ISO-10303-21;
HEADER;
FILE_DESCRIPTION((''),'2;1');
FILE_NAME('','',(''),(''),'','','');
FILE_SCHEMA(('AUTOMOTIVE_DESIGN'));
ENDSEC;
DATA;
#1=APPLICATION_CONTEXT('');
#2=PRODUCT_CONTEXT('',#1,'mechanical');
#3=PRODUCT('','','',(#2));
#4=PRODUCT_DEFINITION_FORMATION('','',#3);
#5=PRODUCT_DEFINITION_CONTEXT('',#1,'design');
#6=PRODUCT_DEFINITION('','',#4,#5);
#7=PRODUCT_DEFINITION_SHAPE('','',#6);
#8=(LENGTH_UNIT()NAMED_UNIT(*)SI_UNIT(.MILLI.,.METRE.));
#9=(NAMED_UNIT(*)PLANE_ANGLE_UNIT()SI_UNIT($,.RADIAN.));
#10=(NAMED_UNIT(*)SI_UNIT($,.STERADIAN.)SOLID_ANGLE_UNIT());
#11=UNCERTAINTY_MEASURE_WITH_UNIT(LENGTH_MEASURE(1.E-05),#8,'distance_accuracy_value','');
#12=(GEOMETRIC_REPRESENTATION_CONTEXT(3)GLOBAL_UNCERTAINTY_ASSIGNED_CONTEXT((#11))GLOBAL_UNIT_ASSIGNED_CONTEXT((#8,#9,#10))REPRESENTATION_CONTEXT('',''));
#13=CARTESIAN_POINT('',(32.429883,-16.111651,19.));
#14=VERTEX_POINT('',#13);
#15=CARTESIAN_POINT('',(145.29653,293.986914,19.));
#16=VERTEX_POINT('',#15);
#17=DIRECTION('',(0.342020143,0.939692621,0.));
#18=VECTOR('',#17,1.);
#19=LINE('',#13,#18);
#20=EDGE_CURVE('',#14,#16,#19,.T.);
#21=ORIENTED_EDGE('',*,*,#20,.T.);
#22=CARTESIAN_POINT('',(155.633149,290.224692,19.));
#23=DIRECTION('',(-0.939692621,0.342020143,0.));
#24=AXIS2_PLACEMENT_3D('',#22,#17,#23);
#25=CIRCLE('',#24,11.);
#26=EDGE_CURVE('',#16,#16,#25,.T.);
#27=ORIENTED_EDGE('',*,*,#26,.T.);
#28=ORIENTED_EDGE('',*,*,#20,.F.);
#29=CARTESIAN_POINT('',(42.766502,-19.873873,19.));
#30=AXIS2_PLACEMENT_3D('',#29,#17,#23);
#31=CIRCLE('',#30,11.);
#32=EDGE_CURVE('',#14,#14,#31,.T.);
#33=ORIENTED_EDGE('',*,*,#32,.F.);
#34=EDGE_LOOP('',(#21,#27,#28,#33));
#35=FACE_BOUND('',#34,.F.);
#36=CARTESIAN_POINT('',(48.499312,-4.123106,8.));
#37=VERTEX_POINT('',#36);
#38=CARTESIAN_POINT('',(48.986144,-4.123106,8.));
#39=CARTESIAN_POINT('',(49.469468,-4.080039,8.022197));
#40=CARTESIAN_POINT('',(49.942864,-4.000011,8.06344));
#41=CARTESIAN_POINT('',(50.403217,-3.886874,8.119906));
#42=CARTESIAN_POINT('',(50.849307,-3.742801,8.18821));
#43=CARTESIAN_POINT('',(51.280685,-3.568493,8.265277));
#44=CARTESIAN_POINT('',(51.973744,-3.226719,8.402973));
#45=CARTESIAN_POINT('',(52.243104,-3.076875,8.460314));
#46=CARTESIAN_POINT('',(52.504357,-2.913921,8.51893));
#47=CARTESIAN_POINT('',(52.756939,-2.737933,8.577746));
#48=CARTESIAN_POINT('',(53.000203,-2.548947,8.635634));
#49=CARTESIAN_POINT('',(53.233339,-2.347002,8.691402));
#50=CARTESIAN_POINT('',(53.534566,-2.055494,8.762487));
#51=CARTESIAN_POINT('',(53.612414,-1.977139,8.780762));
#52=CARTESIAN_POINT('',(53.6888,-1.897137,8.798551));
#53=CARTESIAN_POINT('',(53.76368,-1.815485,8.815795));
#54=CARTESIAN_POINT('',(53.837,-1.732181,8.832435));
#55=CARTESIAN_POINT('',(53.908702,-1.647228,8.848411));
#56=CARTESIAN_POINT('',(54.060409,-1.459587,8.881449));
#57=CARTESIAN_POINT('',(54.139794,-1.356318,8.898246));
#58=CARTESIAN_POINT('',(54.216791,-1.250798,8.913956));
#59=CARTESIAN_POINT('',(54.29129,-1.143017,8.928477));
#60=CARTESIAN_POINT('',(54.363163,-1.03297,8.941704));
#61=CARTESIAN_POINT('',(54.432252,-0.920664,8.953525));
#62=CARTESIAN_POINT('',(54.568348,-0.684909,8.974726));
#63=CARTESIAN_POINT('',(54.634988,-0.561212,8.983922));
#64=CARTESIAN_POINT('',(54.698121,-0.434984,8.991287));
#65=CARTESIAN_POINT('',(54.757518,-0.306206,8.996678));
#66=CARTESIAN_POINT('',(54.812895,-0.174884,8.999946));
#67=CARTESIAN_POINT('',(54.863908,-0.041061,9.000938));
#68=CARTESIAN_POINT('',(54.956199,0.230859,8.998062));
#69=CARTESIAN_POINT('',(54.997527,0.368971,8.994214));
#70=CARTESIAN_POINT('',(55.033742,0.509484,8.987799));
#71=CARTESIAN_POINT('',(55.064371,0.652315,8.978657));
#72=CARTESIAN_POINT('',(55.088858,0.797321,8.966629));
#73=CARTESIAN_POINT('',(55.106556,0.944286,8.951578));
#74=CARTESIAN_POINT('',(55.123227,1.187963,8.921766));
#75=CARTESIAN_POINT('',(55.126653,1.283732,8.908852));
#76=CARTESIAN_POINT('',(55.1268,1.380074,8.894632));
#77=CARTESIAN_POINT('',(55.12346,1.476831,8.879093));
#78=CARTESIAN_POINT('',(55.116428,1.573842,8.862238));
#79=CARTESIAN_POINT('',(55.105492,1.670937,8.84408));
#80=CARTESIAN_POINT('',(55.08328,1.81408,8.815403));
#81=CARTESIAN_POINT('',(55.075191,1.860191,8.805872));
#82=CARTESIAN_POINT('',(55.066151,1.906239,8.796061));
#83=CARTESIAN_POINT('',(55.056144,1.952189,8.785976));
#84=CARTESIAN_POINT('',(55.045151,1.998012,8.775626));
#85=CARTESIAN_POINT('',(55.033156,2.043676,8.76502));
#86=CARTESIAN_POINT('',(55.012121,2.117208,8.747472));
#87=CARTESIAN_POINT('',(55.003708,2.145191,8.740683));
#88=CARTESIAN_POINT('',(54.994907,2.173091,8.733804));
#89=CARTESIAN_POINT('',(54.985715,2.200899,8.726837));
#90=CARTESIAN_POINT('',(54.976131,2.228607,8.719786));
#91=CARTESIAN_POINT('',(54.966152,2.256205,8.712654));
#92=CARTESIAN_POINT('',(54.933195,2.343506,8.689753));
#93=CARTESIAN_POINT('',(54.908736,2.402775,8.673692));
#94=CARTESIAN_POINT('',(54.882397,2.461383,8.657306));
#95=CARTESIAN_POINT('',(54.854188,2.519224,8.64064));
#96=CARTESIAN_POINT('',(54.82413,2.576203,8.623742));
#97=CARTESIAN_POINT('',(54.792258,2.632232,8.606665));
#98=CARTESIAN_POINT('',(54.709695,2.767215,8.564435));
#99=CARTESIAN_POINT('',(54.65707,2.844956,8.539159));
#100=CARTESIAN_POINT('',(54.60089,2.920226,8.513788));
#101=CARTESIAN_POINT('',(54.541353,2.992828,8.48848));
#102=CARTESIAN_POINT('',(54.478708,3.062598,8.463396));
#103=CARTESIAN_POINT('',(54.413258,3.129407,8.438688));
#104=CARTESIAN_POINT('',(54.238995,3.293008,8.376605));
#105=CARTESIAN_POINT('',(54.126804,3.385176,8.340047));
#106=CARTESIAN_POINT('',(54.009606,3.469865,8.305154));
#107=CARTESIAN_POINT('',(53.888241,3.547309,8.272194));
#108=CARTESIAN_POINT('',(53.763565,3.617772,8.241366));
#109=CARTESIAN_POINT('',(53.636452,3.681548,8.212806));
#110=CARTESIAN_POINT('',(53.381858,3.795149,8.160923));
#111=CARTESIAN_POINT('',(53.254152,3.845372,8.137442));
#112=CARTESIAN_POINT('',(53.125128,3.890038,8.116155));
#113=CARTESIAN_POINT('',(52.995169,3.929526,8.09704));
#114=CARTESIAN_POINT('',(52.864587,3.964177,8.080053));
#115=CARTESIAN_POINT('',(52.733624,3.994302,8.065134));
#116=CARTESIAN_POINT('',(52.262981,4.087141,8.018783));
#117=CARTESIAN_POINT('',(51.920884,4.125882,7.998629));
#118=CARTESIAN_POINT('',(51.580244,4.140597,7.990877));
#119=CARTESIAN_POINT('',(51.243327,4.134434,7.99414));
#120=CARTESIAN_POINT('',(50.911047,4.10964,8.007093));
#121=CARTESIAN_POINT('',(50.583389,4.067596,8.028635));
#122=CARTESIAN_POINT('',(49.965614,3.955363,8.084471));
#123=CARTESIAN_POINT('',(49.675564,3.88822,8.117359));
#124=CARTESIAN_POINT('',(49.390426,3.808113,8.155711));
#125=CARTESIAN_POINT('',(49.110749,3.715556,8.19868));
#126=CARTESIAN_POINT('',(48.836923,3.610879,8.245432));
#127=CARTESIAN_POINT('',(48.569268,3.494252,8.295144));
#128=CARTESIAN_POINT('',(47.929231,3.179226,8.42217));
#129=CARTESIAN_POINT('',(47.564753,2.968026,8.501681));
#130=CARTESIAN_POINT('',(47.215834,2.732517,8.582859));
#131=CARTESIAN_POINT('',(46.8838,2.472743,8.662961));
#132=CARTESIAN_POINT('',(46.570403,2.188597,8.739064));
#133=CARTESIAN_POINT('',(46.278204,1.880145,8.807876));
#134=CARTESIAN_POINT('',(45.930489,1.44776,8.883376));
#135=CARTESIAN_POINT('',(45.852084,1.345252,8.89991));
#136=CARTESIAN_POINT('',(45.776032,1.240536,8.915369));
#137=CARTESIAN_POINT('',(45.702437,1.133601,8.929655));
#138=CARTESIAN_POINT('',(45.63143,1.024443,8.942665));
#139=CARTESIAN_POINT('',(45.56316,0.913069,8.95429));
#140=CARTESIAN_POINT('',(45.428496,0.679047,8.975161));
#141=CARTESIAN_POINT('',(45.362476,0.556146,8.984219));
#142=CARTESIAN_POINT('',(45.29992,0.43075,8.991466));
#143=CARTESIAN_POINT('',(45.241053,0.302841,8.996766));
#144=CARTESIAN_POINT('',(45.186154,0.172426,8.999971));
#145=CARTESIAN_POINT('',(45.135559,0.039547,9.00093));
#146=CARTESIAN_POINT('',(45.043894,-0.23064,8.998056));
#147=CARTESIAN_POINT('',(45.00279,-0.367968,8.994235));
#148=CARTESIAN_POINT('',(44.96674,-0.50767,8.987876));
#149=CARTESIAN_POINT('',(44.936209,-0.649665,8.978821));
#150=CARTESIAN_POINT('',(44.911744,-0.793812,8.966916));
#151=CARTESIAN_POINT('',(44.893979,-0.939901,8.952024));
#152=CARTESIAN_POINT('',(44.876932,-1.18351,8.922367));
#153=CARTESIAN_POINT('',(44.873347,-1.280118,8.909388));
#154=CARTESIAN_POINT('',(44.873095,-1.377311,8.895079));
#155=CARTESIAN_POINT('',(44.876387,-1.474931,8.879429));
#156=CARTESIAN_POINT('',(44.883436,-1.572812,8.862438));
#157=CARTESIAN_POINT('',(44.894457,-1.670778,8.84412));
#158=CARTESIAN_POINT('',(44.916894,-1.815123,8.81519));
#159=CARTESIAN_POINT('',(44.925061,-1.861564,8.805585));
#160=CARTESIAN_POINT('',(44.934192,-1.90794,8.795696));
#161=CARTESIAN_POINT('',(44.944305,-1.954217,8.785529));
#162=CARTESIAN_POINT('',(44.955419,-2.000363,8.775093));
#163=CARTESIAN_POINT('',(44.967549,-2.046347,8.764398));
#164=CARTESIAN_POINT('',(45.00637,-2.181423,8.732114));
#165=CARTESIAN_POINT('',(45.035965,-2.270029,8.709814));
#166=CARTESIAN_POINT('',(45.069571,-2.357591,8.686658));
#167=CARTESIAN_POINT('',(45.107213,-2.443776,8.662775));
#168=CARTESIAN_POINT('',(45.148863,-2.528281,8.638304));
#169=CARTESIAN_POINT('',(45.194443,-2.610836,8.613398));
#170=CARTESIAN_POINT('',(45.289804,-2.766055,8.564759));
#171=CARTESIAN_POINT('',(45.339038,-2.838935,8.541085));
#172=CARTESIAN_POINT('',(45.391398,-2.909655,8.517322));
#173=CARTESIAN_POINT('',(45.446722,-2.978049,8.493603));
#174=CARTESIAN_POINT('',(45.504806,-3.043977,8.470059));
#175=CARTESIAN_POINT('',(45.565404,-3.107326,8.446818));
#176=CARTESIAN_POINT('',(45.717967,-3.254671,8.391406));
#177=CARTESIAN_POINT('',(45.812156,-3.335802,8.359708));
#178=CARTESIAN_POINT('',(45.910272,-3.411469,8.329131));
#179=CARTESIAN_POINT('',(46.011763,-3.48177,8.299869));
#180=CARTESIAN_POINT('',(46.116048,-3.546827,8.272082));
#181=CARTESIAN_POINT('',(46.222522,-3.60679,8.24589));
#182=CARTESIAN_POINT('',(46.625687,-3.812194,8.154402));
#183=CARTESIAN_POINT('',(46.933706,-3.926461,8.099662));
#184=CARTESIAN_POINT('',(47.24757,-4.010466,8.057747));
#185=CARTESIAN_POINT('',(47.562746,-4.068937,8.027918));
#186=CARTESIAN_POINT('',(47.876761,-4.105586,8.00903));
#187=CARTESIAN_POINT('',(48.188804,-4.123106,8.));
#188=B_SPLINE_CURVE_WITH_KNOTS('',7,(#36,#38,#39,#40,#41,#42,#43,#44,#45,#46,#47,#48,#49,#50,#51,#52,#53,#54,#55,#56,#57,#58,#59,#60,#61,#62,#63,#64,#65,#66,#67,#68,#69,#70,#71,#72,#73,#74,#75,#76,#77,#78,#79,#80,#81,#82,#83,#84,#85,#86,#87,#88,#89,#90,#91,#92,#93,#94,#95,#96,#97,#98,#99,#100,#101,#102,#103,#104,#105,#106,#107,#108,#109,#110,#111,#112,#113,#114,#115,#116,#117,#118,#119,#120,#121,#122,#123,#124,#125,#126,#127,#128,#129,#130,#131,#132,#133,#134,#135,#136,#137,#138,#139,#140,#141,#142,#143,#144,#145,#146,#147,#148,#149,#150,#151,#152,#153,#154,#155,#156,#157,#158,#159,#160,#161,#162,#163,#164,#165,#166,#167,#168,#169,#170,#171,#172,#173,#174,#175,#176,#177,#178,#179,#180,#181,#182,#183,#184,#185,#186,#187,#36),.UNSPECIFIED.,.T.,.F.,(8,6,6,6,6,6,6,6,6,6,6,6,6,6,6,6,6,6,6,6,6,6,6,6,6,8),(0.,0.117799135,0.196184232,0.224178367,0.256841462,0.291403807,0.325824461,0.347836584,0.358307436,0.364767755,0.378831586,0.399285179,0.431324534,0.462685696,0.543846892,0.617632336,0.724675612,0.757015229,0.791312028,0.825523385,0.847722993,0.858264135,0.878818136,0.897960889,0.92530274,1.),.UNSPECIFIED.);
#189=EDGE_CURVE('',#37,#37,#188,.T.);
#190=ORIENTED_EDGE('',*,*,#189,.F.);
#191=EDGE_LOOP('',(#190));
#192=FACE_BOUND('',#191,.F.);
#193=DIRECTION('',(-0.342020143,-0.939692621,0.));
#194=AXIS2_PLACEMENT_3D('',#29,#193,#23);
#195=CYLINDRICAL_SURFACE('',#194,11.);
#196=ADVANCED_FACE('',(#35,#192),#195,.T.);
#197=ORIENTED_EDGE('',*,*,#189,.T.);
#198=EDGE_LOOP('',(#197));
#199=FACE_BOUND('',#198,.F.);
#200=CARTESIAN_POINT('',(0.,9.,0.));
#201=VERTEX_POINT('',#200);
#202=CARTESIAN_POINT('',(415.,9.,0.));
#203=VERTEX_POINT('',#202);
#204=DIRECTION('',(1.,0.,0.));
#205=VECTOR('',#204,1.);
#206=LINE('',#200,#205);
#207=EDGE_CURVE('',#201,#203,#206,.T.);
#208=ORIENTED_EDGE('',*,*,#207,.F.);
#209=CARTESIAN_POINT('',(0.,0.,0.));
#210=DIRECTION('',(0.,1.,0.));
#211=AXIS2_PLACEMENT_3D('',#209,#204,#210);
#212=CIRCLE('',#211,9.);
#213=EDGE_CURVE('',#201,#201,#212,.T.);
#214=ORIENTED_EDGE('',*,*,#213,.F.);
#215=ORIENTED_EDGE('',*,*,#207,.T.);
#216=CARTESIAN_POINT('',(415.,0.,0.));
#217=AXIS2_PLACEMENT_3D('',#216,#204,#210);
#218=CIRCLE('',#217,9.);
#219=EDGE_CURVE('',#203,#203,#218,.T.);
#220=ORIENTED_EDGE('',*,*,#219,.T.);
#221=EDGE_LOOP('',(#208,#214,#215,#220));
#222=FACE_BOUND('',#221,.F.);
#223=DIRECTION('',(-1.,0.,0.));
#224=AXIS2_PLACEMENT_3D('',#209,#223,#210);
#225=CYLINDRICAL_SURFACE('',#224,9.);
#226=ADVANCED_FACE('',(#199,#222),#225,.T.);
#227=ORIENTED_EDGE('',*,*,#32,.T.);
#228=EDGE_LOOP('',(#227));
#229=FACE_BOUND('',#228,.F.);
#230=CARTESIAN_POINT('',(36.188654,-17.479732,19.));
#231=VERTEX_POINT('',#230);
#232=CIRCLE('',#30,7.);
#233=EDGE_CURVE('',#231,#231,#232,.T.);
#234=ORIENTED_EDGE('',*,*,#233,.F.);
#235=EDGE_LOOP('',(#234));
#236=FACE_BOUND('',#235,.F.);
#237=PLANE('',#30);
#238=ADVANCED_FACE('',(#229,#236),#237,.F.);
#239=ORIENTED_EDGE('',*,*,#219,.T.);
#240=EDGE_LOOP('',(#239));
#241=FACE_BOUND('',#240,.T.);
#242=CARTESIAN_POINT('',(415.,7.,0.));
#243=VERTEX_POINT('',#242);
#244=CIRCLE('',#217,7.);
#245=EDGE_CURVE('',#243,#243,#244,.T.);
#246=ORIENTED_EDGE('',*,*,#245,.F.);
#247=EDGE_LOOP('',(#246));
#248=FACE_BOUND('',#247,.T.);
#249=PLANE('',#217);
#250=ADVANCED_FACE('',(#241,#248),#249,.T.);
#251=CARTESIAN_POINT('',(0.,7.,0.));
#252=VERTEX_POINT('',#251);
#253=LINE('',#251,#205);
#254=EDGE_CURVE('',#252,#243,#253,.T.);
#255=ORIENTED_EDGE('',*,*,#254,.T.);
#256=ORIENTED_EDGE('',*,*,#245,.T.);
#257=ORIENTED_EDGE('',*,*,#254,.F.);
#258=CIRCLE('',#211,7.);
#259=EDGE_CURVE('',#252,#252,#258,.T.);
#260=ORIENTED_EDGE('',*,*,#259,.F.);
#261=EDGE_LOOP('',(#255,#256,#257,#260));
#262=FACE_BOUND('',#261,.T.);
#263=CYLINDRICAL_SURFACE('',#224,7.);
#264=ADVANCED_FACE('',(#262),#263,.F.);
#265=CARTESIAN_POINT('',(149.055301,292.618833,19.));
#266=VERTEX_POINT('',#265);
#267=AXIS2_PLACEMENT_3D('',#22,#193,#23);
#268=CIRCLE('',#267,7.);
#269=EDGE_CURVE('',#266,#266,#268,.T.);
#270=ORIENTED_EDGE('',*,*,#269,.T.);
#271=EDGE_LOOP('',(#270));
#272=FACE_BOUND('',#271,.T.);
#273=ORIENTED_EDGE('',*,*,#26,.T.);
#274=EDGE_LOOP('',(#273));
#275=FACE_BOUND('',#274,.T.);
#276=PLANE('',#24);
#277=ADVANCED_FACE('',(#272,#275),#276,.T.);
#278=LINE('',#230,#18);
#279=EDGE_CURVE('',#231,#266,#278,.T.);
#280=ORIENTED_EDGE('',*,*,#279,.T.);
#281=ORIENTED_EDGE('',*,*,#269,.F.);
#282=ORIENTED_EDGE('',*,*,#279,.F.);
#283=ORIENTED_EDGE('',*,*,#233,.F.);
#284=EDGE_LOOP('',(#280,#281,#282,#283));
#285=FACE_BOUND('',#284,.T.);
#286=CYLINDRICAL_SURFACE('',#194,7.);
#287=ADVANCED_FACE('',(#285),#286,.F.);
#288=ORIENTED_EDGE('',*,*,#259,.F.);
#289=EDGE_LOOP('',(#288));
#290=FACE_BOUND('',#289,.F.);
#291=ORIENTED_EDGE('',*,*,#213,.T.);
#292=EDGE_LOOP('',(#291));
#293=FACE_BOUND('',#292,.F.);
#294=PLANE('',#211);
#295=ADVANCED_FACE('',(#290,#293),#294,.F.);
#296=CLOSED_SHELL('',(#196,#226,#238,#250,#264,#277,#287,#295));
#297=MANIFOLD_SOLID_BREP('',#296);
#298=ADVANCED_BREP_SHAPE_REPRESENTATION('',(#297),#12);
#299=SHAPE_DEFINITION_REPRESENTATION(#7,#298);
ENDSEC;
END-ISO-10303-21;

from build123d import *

# Parameters (mm, degrees)
F0_R     = 9
F0_R_2   = 7
F1_DEPTH = 415
F5_R     = 11
F5_R_2   = 7
F6_DEPTH = 330
F7_R     = 7
F8_DEPTH = 422.245019476


with BuildPart() as f1:
    # F0 (on Right) → F1 (new body)
    with BuildSketch(Plane.YZ):
        Circle(F0_R)
        Circle(F0_R_2, mode=Mode.SUBTRACT)
    extrude(amount=F1_DEPTH)

    # F5 (on offset) → F6 (join)
    with BuildSketch(Plane(origin=(-1.3846092047, -3.8041825246, 0), x_dir=(-0.9396926208, 0.3420201433, 0), z_dir=(0.3420201433, 0.9396926208, 0))):
        with Locations((-46.9846310393, 19)):
            Circle(F5_R)
        with Locations((-46.9846310393, 19)):
            Circle(F5_R_2, mode=Mode.SUBTRACT)
    extrude(amount=F6_DEPTH)

    # F7 (on face) → F8 (cut, through all)
    with BuildSketch(Plane(origin=(-1.3846092047, -3.8041825246, 0), x_dir=(0.9396926208, -0.3420201433, 0), z_dir=(-0.3420201433, -0.9396926208, 0))):
        with Locations((46.9846310393, 19)):
            Circle(F7_R)
    extrude(amount=-F8_DEPTH, mode=Mode.SUBTRACT)


solid = f1.part
